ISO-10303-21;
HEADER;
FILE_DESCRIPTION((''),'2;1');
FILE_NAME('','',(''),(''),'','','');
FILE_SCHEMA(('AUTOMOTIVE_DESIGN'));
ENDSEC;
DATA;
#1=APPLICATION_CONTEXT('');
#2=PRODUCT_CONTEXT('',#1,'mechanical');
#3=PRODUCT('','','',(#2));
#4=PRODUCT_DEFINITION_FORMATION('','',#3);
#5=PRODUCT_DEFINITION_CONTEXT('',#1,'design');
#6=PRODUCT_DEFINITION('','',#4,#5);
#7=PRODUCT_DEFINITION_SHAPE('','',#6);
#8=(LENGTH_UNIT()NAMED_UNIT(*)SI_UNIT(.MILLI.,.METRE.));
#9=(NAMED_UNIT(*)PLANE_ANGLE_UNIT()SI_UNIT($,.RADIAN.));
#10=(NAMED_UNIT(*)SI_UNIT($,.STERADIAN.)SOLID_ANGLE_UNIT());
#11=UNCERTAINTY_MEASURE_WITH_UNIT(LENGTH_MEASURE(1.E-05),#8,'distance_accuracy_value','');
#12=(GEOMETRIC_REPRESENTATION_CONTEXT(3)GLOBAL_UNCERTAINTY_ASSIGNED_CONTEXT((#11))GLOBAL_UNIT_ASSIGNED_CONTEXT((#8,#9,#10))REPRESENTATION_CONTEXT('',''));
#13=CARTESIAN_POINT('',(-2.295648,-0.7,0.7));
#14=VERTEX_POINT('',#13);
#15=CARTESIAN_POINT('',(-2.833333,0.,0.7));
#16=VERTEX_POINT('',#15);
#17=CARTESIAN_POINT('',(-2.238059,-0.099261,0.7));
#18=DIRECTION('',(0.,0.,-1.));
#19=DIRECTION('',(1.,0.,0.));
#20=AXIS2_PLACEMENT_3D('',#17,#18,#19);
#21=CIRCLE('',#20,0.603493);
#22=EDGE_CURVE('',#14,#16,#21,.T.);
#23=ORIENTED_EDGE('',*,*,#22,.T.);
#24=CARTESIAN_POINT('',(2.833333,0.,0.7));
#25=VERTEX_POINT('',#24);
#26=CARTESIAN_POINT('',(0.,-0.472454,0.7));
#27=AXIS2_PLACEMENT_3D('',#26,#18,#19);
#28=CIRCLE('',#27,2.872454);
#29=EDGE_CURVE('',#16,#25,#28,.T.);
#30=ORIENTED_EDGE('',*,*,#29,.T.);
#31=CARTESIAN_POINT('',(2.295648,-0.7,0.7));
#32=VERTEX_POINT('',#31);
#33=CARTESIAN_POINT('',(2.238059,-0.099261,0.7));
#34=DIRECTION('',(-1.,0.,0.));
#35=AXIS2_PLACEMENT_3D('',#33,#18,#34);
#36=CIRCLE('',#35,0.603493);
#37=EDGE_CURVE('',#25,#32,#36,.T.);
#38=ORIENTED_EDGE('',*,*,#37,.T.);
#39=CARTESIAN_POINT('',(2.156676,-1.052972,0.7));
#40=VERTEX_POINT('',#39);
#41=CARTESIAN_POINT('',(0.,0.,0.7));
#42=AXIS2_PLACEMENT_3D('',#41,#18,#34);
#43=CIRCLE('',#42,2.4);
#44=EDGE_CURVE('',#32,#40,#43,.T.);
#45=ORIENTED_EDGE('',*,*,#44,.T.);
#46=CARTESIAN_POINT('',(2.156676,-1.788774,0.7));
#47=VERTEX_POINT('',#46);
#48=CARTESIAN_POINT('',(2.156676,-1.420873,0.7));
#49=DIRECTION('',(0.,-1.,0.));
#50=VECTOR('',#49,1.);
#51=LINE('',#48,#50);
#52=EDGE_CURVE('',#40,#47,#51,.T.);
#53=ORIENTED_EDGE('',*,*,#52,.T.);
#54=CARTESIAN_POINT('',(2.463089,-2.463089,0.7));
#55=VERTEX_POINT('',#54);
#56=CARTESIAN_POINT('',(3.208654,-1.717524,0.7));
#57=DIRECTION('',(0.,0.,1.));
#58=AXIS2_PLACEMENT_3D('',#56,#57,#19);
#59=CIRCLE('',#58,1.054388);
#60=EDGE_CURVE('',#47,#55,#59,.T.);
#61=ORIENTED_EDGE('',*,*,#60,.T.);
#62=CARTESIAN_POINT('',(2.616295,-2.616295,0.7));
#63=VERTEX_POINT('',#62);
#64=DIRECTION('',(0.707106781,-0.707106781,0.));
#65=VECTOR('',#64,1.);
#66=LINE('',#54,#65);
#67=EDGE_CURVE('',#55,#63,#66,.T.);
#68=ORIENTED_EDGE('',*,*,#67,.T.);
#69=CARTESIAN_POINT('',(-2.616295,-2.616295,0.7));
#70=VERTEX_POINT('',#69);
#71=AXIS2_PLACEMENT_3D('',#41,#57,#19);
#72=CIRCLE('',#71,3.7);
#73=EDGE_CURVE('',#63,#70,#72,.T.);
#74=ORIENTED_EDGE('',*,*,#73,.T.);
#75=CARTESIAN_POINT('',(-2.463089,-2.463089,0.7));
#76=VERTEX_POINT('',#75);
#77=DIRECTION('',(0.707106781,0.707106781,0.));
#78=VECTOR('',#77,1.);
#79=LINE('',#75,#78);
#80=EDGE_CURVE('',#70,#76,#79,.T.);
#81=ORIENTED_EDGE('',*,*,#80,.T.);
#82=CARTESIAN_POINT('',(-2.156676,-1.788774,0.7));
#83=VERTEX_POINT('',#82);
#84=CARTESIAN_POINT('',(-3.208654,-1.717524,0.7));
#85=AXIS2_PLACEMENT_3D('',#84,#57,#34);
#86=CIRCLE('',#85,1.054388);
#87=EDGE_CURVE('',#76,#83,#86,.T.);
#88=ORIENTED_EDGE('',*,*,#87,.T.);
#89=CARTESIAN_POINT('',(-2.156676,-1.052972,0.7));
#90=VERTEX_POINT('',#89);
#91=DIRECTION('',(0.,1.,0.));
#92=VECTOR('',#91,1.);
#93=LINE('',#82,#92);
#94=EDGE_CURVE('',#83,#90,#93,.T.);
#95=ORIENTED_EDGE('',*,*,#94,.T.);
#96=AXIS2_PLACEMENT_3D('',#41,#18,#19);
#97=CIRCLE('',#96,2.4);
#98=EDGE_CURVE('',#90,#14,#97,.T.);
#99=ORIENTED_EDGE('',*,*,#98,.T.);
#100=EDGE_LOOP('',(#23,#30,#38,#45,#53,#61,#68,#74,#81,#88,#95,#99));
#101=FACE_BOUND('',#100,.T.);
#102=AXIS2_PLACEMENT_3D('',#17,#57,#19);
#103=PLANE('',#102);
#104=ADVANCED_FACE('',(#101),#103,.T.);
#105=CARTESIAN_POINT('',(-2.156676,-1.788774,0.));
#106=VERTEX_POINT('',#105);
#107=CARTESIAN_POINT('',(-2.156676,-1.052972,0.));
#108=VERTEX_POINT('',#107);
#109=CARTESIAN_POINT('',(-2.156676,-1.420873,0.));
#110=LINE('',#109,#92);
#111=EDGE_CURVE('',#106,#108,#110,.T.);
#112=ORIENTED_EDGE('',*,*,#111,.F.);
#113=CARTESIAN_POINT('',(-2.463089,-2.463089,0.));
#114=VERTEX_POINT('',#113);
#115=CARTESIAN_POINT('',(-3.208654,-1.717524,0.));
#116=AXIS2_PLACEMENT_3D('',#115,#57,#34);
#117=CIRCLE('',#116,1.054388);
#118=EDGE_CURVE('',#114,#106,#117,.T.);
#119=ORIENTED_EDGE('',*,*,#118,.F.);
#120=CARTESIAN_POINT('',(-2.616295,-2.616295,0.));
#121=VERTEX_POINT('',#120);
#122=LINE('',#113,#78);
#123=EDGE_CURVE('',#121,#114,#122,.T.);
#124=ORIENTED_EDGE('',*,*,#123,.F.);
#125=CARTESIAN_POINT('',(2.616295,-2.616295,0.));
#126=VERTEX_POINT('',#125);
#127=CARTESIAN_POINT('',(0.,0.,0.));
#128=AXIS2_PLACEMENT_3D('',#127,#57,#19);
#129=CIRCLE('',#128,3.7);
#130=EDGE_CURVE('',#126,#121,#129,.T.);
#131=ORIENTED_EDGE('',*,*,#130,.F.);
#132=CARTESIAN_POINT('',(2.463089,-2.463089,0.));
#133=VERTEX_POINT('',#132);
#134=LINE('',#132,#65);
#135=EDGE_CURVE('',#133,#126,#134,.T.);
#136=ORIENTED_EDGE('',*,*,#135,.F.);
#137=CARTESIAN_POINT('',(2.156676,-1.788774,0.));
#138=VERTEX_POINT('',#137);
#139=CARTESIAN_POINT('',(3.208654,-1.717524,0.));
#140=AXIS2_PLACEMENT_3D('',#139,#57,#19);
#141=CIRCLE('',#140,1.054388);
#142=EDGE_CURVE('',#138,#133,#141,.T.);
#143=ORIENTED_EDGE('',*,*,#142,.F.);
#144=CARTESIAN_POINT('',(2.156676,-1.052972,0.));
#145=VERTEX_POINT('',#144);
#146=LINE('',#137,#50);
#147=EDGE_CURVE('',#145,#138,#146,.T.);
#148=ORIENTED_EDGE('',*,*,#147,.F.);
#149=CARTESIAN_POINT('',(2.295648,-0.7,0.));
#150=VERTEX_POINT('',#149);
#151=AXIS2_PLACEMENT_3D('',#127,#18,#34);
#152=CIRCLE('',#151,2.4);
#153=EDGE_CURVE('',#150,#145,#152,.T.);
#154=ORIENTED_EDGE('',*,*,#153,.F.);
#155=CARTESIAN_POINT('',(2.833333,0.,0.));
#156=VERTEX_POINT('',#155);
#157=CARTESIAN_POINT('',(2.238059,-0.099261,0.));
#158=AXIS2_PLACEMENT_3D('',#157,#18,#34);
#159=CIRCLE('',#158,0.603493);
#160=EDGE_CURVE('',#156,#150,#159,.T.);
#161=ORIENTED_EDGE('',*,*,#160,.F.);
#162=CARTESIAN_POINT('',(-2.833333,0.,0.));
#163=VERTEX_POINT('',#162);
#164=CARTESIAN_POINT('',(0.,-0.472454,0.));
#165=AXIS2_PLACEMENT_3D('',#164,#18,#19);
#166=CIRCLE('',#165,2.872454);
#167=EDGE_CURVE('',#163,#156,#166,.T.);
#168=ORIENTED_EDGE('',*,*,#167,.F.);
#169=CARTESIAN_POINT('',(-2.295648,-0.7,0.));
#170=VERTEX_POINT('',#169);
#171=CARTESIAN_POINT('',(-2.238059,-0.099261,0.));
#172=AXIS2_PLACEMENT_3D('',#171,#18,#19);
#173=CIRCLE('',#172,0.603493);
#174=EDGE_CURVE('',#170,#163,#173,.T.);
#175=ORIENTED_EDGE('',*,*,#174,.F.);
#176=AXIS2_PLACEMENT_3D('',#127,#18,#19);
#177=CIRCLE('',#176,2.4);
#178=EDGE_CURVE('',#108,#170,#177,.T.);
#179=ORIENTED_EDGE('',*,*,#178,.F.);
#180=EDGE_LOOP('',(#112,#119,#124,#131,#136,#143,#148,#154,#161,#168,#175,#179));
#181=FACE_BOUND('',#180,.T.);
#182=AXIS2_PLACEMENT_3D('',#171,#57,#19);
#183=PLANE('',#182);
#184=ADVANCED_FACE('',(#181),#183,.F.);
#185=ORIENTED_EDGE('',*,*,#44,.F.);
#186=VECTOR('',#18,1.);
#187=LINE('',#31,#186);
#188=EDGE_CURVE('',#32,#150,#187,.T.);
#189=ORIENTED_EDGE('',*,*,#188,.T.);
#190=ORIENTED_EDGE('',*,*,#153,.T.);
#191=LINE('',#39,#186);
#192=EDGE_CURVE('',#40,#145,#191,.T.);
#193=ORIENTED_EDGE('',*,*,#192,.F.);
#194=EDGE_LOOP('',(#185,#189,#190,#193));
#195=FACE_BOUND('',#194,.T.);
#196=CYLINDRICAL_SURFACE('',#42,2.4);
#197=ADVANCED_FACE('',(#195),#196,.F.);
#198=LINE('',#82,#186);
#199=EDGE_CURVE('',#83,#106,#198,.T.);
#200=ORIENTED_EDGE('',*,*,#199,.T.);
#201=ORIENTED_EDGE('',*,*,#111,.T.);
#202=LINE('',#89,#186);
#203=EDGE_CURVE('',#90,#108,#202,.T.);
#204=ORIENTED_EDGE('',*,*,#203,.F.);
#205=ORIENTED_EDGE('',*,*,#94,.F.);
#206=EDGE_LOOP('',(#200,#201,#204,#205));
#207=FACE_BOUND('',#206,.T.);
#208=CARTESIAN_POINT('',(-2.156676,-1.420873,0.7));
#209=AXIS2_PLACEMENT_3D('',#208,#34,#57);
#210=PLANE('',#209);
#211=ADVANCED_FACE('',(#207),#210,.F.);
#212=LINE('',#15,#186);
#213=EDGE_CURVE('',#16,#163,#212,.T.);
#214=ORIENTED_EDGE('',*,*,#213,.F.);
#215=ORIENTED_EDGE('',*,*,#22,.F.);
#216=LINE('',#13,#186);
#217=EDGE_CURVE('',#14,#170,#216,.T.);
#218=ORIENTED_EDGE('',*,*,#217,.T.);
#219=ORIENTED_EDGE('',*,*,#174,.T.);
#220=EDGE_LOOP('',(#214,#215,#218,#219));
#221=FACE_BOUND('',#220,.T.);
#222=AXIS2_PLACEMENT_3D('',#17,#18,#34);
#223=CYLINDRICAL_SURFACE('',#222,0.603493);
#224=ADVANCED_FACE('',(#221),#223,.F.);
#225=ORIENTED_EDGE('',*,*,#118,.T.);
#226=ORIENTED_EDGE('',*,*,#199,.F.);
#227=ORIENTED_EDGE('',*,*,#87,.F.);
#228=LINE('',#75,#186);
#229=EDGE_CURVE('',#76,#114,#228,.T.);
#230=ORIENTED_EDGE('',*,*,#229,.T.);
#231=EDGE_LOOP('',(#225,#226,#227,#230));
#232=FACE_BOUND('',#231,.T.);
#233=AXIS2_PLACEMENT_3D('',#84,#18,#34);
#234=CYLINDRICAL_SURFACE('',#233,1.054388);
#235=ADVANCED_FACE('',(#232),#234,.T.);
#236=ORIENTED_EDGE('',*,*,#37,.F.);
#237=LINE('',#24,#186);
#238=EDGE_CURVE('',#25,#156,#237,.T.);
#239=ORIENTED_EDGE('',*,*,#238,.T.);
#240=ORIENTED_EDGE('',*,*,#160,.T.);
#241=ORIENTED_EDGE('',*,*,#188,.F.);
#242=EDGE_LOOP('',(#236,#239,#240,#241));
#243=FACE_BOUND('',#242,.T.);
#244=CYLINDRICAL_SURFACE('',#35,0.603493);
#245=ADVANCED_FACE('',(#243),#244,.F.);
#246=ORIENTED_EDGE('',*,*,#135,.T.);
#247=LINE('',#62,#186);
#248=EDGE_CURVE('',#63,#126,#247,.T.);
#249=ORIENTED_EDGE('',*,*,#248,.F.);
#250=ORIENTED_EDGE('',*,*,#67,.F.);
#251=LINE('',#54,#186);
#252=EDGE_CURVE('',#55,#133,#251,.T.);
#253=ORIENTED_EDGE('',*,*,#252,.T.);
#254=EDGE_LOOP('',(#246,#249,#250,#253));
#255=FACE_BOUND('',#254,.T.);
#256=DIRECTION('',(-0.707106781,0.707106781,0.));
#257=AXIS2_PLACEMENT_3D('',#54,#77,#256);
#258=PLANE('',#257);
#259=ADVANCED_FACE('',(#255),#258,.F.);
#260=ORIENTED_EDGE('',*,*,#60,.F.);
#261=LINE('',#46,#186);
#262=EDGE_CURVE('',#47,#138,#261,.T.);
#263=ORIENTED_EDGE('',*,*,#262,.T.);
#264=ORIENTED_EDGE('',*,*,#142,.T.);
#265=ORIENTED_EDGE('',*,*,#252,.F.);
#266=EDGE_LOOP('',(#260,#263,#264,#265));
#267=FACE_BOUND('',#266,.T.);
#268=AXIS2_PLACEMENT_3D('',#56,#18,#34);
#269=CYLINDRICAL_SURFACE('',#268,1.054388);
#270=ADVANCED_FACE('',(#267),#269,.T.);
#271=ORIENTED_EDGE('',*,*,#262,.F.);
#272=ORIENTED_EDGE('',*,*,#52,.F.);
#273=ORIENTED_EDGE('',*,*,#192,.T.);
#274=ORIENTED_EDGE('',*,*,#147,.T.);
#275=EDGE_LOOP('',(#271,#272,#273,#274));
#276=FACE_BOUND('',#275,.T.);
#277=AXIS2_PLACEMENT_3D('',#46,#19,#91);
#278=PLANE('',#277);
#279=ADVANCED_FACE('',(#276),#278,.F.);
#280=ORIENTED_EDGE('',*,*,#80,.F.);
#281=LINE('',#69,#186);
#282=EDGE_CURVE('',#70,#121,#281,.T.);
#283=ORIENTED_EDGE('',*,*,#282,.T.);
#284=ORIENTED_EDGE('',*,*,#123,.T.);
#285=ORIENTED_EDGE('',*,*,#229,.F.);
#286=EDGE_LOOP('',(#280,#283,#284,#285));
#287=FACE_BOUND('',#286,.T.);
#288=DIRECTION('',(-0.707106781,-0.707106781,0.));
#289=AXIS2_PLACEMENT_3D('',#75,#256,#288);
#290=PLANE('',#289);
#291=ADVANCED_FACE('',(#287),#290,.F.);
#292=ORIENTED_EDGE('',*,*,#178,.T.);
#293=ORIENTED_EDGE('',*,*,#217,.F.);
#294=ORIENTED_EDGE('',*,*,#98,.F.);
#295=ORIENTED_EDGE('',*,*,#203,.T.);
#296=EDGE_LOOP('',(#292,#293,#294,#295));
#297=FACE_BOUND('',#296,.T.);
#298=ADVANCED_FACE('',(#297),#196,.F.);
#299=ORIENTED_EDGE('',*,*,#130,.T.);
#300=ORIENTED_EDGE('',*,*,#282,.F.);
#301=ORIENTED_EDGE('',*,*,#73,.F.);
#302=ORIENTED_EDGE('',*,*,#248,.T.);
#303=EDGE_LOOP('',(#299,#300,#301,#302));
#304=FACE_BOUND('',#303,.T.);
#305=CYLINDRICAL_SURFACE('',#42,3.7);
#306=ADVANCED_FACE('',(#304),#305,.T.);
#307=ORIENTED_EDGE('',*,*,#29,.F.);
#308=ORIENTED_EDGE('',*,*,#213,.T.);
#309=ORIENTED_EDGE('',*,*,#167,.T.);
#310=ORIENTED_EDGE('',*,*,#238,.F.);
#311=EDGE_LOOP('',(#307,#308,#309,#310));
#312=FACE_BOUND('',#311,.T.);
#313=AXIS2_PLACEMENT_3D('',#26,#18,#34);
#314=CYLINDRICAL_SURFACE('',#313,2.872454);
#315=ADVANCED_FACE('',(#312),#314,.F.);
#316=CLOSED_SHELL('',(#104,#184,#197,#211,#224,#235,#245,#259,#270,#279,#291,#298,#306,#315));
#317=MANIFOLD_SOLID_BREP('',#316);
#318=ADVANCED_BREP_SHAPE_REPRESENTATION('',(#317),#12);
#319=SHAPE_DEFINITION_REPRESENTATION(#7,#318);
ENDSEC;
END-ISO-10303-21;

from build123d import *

# Parameters (mm, degrees)
BOSS_EXTRUDE1_DEPTH = 0.7


with BuildPart() as part:
    # Sketch2 → Boss-Extrude1 (new body)
    with BuildSketch(Plane.XY):
        with BuildLine():
            Line((-2.156675683, -1.78877445), (-2.156675683, -1.420873217))
            Line((-2.156675683, -1.420873217), (-2.156675683, -1.052971984))
            ThreePointArc((-2.156675683, -1.052971984), (-2.233146653, -0.879236046), (-2.295648057, -0.7))
            ThreePointArc((-2.295648057, -0.7), (-2.71665879, -0.466883635), (-2.833333333, 0))
            ThreePointArc((-2.833333333, 0), (0, 2.4), (2.833333333, 0))
            ThreePointArc((2.833333333, 0), (2.71665879, -0.466883635), (2.295648057, -0.7))
            ThreePointArc((2.295648057, -0.7), (2.233146653, -0.879236046), (2.156675683, -1.052971984))
            Line((2.156675683, -1.052971984), (2.156675683, -1.420873217))
            Line((2.156675683, -1.420873217), (2.156675683, -1.78877445))
            ThreePointArc((2.156675683, -1.78877445), (2.248723901, -2.15372226), (2.463088621, -2.463088621))
            Line((2.463088621, -2.463088621), (2.61629509, -2.61629509))
            ThreePointArc((2.61629509, -2.61629509), (0, 3.7), (-2.61629509, -2.61629509))
            Line((-2.61629509, -2.61629509), (-2.463088621, -2.463088621))
            ThreePointArc((-2.463088621, -2.463088621), (-2.248723901, -2.15372226), (-2.156675683, -1.78877445))
        make_face()
    extrude(amount=BOSS_EXTRUDE1_DEPTH)


solid = part.part
